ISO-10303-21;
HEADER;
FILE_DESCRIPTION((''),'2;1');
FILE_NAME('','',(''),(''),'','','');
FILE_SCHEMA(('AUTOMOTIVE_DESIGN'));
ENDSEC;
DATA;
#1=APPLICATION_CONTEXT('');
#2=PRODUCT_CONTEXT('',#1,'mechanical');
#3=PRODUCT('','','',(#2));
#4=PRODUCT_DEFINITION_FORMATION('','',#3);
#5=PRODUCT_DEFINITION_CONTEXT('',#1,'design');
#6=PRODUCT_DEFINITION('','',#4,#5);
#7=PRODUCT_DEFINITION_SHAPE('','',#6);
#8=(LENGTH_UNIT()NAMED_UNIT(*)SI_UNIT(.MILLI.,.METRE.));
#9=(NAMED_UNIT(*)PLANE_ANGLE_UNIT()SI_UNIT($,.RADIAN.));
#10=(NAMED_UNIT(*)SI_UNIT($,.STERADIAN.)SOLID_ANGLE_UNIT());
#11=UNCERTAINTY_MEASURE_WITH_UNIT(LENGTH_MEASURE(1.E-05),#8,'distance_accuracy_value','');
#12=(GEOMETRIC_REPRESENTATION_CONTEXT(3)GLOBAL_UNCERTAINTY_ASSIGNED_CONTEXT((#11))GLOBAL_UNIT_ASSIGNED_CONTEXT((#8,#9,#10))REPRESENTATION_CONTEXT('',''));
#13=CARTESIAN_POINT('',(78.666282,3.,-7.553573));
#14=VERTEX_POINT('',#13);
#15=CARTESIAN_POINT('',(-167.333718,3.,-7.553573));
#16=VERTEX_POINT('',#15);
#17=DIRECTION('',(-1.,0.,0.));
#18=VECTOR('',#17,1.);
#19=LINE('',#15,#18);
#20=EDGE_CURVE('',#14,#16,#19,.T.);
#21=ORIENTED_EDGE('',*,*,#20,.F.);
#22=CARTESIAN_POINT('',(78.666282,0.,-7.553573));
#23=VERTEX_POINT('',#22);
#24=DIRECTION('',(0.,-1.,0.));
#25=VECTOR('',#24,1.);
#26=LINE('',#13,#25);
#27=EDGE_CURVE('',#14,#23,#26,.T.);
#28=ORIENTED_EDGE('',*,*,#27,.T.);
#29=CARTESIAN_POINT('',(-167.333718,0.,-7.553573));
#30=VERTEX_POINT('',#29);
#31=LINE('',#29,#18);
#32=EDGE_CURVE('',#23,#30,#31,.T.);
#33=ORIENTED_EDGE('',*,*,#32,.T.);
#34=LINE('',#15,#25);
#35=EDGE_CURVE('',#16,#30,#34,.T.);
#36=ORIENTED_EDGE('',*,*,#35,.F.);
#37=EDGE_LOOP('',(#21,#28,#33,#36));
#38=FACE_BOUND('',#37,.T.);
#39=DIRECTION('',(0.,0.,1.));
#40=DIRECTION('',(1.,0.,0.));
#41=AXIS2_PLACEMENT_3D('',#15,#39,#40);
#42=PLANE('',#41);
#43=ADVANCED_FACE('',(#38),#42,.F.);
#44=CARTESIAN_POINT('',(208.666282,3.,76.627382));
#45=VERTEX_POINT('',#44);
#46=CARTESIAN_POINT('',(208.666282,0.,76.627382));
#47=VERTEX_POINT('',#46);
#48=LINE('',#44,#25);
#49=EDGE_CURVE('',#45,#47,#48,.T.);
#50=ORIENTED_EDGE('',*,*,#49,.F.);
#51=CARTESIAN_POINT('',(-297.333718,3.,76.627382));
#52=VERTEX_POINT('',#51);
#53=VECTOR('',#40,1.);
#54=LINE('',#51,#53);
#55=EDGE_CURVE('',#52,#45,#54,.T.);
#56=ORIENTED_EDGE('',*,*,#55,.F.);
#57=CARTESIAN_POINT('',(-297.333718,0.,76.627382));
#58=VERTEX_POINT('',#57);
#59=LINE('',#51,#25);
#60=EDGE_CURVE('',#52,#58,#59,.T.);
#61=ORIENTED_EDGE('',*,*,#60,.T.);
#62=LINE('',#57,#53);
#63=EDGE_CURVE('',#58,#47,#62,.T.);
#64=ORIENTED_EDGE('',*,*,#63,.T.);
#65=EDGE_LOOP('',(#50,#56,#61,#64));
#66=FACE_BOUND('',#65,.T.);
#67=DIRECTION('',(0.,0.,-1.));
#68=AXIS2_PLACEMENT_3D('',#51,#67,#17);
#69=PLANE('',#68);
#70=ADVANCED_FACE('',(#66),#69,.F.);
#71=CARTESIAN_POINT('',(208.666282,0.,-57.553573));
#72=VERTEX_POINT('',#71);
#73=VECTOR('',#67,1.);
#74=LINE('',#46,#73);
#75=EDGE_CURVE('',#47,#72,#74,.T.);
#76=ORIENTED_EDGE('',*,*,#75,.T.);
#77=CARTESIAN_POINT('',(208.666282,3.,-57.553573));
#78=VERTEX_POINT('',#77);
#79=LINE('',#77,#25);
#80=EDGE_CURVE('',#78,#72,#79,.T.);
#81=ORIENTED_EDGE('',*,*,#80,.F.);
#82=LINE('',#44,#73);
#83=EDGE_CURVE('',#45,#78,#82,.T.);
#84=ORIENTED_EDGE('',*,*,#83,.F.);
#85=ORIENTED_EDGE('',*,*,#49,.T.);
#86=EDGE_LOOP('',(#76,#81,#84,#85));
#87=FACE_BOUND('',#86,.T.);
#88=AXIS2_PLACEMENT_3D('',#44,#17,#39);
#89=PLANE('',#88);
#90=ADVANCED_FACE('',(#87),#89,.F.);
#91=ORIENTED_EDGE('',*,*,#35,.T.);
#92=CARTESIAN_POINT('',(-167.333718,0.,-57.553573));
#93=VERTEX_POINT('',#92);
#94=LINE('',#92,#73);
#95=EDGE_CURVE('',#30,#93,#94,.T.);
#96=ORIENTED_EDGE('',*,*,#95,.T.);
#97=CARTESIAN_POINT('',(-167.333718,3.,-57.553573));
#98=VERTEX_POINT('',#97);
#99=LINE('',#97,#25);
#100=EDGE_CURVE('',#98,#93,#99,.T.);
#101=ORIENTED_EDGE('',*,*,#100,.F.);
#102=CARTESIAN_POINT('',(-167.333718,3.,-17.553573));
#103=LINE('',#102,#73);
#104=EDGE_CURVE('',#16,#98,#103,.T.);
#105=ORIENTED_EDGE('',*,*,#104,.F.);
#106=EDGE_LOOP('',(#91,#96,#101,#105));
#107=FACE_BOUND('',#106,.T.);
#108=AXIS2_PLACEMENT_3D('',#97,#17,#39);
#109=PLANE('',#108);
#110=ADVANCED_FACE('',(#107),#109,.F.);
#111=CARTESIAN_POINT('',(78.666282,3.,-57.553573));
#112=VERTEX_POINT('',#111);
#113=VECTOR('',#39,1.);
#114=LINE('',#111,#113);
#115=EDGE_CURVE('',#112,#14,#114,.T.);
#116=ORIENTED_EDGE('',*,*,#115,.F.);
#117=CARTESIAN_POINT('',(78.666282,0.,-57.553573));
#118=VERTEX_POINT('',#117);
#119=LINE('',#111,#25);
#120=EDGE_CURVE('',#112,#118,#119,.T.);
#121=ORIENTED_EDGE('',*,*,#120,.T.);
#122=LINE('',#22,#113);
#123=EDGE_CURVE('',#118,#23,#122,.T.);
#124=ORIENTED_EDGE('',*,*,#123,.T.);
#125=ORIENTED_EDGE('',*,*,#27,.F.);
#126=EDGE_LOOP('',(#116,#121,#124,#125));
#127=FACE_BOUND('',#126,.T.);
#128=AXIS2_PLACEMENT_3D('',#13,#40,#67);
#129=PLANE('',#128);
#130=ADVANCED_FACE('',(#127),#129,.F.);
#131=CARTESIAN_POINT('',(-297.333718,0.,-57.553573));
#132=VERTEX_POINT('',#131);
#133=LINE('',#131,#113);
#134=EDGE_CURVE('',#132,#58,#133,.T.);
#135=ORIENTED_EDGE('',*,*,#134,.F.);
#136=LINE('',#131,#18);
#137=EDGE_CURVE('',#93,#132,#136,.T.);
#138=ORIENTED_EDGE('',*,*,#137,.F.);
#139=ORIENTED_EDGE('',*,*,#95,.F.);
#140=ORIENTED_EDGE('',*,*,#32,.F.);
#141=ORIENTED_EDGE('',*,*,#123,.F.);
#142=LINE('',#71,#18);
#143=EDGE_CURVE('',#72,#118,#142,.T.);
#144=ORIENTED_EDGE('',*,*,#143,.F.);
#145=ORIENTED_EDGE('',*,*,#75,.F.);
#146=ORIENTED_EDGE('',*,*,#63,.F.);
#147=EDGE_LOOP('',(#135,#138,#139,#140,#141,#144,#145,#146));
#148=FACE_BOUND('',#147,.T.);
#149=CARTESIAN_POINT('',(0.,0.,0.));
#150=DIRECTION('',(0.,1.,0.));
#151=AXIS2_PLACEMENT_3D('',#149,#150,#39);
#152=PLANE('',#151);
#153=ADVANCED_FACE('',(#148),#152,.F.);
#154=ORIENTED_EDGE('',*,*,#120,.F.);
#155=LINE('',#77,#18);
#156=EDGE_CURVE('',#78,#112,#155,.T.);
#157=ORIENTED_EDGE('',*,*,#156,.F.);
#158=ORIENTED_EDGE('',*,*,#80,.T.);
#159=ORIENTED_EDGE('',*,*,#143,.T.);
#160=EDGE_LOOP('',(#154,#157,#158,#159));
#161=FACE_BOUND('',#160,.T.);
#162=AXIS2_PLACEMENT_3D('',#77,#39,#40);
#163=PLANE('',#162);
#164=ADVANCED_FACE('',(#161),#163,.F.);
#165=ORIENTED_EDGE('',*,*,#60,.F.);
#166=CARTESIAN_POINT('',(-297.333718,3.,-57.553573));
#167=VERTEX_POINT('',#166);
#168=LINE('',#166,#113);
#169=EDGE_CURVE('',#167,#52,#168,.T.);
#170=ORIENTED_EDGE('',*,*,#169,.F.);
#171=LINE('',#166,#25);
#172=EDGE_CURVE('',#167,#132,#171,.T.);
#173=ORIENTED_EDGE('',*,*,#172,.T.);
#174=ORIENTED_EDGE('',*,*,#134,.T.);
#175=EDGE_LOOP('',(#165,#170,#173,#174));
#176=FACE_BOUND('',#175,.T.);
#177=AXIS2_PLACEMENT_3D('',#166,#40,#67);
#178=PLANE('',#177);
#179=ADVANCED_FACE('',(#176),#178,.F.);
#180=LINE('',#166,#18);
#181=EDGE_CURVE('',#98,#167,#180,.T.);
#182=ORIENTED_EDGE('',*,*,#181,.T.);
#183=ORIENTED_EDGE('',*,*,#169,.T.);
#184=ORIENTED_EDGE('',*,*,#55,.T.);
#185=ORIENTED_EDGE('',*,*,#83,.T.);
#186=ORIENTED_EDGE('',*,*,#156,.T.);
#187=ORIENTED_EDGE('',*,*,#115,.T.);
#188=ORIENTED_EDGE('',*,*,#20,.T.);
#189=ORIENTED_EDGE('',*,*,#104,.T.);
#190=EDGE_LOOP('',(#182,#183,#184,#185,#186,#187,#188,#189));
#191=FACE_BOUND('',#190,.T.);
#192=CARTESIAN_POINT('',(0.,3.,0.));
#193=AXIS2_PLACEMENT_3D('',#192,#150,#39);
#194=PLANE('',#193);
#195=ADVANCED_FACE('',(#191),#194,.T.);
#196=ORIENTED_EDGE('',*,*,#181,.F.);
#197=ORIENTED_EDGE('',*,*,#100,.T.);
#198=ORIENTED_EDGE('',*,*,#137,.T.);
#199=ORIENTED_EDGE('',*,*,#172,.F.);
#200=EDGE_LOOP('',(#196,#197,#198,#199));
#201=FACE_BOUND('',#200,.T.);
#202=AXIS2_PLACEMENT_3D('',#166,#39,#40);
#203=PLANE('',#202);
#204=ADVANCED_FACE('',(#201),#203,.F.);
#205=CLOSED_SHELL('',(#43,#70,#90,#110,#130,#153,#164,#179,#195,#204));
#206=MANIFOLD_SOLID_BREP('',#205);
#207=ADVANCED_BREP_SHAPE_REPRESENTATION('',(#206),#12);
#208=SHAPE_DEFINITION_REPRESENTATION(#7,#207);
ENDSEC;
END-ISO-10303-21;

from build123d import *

# Parameters (mm, degrees)
BOSS_EXTRUDE1_DEPTH = 3


with BuildPart() as part:
    # Sketch1 → Boss-Extrude1 (new body)
    with BuildSketch(Plane(origin=(0, 0, 0), x_dir=(1, 0, 0), z_dir=(0, 1, 0))):
        Polygon((-297.333718436, 57.553572901), (-167.333718436, 57.553572901), (-167.333718436, 17.553572901), (-167.333718436, 7.553572901), (78.666281564, 7.553572901), (78.666281564, 17.553572901), (78.666281564, 57.553572901), (208.666281564, 57.553572901), (208.666281564, -76.627381996), (-297.333718436, -76.627381996), align=None)
    extrude(amount=BOSS_EXTRUDE1_DEPTH)


solid = part.part
